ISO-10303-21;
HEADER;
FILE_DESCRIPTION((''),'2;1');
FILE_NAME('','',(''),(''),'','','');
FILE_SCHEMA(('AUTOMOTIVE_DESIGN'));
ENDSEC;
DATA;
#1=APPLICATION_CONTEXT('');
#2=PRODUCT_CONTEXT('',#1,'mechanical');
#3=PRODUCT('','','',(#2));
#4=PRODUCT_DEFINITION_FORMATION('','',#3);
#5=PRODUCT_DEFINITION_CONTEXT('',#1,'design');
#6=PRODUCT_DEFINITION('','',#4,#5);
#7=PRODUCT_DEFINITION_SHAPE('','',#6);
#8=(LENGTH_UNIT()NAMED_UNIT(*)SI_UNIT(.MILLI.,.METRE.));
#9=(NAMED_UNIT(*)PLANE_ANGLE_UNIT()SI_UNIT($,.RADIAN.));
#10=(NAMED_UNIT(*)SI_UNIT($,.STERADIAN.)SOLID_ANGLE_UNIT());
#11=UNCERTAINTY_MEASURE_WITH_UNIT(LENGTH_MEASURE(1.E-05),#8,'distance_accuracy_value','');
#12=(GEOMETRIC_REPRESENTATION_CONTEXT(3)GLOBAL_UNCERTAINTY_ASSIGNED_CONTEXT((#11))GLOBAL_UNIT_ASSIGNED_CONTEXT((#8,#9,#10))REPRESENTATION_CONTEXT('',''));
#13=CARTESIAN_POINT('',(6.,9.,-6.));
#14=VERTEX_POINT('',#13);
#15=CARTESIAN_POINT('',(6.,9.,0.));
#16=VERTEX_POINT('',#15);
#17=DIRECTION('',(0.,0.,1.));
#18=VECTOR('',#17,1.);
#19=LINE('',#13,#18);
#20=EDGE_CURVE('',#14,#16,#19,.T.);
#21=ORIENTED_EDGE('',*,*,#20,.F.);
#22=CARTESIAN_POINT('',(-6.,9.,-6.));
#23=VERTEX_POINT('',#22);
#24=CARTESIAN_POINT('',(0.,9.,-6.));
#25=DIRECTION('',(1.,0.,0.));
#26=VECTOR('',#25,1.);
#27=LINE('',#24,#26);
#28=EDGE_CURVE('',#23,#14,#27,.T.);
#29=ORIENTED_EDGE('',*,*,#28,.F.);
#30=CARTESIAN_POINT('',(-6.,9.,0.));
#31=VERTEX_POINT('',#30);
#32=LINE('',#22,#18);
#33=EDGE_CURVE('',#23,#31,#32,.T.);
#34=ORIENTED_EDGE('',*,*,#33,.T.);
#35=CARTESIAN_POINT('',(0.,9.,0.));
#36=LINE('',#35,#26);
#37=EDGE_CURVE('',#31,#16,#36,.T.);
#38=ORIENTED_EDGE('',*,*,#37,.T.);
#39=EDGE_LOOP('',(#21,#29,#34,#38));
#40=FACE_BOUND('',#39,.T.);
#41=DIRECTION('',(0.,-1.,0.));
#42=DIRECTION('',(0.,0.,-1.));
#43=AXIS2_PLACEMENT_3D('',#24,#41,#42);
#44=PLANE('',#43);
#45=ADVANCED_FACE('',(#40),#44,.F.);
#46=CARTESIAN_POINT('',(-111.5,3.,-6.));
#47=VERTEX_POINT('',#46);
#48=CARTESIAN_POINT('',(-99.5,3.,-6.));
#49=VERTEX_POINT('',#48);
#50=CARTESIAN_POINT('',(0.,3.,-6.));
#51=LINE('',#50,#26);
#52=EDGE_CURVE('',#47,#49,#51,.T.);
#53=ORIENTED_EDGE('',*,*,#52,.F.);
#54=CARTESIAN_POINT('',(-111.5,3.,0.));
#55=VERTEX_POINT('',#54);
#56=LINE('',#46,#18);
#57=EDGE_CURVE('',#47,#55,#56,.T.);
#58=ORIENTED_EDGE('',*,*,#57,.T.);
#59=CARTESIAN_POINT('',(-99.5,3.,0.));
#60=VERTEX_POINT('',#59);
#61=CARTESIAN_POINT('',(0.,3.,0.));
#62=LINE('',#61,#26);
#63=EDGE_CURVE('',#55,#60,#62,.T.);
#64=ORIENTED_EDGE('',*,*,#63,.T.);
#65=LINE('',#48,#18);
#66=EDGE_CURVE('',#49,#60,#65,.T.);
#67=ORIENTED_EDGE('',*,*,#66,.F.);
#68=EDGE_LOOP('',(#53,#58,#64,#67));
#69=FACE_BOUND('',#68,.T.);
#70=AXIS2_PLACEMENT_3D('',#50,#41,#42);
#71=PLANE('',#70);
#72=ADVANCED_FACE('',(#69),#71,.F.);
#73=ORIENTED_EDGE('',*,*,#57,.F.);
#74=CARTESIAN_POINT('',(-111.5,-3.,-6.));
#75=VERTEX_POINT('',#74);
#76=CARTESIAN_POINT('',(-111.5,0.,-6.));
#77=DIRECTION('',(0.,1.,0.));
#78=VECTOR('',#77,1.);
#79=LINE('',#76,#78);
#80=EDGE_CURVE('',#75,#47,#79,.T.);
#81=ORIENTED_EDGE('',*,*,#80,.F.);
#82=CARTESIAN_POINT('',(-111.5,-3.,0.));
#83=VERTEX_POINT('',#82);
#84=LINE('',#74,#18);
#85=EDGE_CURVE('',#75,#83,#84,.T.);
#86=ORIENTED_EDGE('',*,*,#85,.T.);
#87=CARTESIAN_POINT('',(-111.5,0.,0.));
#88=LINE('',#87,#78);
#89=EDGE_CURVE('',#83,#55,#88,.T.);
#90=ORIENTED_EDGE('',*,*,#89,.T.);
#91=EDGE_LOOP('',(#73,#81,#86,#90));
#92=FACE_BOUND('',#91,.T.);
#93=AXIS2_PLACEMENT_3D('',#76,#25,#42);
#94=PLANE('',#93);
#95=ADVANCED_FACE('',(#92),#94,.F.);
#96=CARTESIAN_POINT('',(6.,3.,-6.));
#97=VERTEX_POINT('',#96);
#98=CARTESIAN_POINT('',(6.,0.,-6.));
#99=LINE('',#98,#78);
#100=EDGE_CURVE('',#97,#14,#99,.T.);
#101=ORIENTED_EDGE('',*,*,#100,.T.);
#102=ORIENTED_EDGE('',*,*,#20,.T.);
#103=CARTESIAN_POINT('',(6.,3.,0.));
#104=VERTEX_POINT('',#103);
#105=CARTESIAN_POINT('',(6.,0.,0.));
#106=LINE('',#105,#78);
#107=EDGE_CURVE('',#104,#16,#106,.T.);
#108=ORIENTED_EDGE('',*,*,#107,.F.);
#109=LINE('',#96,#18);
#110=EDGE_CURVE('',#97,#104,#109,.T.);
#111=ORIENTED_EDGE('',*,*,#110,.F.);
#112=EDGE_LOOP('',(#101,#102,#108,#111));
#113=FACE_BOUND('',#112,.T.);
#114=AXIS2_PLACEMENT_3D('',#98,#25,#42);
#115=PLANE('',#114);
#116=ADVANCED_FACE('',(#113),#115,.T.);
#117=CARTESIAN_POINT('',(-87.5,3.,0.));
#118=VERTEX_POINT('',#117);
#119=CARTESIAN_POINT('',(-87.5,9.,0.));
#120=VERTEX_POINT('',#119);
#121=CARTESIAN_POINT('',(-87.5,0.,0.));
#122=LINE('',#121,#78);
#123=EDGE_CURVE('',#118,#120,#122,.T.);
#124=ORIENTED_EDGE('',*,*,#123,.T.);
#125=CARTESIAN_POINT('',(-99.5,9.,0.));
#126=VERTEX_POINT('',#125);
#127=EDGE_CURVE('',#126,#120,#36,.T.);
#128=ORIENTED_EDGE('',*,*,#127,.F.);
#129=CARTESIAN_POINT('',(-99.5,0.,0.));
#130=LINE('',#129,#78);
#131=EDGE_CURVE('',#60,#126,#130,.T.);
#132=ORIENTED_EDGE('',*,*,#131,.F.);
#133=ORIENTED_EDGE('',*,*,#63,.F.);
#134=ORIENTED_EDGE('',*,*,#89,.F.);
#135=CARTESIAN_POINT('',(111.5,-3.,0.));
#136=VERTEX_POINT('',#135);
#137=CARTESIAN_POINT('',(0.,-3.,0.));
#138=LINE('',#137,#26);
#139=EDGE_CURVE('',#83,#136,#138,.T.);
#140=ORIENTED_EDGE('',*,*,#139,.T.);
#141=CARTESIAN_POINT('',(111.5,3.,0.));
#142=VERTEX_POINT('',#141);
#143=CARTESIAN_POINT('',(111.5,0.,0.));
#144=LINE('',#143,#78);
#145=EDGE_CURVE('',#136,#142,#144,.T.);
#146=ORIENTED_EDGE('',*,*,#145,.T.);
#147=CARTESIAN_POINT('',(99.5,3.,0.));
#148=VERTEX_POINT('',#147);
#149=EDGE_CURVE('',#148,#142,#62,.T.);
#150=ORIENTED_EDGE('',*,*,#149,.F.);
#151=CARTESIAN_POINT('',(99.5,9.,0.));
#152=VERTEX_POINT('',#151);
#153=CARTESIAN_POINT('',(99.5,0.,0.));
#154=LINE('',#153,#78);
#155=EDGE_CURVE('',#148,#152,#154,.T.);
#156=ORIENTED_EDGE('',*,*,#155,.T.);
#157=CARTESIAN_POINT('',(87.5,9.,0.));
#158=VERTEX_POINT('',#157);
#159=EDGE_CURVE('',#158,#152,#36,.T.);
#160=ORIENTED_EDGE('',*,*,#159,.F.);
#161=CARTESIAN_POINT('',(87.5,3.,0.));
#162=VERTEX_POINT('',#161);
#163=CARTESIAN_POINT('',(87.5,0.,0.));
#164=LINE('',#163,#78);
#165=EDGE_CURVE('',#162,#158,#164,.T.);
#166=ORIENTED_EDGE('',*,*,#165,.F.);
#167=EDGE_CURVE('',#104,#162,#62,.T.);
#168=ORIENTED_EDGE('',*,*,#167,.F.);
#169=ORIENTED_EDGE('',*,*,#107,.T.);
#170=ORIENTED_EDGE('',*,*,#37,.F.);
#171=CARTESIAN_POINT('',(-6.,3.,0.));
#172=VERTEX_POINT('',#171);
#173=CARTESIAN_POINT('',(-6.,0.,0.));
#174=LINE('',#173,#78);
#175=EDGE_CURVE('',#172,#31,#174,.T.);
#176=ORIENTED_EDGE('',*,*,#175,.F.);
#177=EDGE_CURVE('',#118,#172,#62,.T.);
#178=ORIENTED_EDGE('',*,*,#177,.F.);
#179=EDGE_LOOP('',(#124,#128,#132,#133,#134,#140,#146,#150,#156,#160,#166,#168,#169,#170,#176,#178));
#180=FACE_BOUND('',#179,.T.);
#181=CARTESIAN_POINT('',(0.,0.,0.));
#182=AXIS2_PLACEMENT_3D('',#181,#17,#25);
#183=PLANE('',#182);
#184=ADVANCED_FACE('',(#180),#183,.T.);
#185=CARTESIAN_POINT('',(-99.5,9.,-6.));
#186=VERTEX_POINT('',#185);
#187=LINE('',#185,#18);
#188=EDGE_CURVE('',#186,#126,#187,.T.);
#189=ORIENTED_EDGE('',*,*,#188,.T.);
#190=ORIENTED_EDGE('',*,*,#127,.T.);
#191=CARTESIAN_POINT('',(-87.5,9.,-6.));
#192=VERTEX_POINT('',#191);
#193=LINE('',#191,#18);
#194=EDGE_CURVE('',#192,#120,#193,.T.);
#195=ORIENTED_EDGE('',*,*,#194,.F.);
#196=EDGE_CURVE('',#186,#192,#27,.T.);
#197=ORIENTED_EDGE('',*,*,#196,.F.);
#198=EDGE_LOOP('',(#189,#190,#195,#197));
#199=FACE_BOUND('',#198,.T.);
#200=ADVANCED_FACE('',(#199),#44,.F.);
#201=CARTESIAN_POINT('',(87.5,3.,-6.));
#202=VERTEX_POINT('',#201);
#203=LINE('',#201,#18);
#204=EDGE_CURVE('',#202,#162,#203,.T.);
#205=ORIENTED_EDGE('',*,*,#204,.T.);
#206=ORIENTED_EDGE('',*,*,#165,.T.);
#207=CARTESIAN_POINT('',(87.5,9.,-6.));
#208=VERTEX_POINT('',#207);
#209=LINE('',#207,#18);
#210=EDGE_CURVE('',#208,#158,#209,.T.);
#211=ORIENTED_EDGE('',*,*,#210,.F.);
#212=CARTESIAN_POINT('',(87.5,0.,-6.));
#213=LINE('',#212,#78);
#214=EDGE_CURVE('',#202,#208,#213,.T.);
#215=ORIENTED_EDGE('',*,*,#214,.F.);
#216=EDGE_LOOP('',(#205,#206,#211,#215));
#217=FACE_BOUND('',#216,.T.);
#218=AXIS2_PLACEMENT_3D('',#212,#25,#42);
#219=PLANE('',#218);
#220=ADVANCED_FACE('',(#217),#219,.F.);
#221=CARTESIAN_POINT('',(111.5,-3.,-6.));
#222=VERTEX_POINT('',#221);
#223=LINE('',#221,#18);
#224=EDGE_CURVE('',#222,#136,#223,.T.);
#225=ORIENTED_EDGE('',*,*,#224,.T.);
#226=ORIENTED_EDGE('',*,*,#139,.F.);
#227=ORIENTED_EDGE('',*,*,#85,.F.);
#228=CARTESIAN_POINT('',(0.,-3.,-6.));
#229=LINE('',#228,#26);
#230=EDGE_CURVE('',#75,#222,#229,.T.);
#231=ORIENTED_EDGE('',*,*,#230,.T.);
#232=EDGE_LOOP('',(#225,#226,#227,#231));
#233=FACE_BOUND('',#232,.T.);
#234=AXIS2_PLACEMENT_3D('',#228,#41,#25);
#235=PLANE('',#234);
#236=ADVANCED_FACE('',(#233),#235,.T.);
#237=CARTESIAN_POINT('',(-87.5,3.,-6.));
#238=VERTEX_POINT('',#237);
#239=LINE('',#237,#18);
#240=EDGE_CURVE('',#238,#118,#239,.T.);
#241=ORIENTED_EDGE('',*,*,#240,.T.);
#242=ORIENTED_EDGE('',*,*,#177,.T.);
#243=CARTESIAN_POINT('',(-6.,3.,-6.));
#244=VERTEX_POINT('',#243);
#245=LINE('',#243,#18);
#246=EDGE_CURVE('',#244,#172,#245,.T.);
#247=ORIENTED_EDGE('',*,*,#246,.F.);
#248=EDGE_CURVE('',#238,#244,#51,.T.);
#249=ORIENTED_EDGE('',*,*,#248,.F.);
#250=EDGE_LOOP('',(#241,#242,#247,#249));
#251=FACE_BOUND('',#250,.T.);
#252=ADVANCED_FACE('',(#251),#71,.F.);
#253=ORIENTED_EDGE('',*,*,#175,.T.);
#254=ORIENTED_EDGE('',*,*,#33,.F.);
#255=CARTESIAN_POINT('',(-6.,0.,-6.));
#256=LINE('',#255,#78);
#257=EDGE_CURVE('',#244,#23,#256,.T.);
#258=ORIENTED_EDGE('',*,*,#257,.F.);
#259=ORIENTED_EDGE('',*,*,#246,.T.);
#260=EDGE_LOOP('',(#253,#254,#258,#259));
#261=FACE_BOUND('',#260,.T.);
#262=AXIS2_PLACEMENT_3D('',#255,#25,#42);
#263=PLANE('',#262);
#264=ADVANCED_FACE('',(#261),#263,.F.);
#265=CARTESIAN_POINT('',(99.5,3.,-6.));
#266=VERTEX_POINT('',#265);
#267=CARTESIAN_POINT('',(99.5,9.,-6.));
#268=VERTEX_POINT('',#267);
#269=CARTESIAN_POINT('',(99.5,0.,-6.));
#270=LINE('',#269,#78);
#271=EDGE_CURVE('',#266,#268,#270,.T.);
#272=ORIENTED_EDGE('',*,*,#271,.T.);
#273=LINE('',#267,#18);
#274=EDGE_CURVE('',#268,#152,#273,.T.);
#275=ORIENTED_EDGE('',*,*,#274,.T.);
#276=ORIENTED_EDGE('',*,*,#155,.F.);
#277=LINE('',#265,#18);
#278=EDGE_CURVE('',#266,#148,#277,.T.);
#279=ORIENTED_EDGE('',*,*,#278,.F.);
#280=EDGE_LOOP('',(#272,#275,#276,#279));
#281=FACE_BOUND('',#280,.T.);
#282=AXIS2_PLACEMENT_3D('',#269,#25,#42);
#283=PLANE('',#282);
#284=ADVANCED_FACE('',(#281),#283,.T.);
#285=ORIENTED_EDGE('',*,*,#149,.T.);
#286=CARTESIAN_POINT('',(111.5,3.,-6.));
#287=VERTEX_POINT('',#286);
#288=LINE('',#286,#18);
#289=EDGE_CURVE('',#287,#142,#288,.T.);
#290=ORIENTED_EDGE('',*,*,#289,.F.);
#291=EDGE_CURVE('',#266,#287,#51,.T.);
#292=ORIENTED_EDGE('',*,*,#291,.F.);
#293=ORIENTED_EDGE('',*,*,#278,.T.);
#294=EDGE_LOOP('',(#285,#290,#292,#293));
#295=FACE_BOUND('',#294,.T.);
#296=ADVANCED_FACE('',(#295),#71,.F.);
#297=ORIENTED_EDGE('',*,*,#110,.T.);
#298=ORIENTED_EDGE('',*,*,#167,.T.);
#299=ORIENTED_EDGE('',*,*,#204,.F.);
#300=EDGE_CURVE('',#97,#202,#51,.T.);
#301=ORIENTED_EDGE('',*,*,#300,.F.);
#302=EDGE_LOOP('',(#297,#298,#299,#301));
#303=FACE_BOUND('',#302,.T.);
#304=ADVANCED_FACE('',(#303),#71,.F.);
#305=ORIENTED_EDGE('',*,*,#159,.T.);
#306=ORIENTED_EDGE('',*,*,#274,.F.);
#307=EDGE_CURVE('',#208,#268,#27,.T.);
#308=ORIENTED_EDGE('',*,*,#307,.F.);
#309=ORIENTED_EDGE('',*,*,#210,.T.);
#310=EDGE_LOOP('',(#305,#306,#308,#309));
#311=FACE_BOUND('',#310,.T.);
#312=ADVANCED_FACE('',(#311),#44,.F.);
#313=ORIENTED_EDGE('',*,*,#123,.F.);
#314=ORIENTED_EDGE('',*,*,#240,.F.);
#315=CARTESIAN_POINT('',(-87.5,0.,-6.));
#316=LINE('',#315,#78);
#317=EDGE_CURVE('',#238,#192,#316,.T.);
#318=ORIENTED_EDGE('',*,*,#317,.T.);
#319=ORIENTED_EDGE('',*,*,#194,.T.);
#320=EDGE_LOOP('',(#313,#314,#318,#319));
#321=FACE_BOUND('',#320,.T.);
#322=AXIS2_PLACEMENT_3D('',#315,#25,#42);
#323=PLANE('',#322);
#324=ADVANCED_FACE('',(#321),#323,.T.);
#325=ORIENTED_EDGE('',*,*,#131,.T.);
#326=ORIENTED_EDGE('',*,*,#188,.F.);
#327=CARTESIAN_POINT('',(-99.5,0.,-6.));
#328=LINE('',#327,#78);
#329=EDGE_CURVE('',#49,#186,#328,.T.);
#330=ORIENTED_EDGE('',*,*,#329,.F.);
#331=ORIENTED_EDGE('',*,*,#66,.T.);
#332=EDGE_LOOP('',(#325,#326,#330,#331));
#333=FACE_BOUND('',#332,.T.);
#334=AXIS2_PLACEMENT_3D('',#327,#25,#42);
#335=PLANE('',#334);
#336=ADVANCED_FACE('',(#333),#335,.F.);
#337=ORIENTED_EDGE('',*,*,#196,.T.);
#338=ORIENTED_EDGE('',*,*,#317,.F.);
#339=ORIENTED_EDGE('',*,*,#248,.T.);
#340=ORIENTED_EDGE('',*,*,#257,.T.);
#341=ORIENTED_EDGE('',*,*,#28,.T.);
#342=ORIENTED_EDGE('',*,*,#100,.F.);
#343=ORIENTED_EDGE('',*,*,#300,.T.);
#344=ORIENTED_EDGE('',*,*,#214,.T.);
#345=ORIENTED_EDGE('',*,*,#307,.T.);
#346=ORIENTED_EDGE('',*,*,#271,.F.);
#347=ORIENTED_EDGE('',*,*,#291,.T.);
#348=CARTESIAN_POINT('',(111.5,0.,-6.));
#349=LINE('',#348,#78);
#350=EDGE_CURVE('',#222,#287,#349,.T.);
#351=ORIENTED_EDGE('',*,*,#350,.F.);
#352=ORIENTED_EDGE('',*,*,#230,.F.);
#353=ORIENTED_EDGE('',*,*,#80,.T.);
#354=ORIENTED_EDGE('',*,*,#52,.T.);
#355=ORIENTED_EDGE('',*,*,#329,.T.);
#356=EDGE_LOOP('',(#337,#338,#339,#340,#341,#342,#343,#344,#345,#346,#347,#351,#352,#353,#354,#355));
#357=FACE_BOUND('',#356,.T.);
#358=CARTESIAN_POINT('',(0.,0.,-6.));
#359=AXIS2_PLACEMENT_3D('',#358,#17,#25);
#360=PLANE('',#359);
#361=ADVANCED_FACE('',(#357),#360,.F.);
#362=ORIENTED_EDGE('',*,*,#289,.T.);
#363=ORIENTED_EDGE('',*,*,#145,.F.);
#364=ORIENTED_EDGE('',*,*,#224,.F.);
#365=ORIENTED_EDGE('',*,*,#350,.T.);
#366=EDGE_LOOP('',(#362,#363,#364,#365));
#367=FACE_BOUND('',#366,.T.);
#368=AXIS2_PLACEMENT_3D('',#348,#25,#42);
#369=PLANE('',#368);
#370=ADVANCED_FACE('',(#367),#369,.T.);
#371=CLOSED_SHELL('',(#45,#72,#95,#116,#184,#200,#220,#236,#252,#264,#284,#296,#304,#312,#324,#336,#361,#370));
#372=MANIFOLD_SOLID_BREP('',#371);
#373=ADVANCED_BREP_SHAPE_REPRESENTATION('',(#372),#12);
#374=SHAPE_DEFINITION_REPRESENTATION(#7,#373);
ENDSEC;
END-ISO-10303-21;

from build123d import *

# Parameters (mm, degrees)
SKETCH1_W           = 12
SKETCH1_H           = 6
SKETCH1_W_2         = 223
BOSS_EXTRUDE1_DEPTH = 6


with BuildPart() as part:
    # Sketch1 → Boss-Extrude1 (new body)
    with BuildSketch(Plane.XY):
        with Locations((-93.5, 6)):
            Rectangle(SKETCH1_W, SKETCH1_H)
        Rectangle(SKETCH1_W_2, SKETCH1_H)
        with Locations((0, 6)):
            Rectangle(SKETCH1_W, SKETCH1_H)
        with Locations((93.5, 6)):
            Rectangle(SKETCH1_W, SKETCH1_H)
    extrude(amount=-BOSS_EXTRUDE1_DEPTH)


solid = part.part
